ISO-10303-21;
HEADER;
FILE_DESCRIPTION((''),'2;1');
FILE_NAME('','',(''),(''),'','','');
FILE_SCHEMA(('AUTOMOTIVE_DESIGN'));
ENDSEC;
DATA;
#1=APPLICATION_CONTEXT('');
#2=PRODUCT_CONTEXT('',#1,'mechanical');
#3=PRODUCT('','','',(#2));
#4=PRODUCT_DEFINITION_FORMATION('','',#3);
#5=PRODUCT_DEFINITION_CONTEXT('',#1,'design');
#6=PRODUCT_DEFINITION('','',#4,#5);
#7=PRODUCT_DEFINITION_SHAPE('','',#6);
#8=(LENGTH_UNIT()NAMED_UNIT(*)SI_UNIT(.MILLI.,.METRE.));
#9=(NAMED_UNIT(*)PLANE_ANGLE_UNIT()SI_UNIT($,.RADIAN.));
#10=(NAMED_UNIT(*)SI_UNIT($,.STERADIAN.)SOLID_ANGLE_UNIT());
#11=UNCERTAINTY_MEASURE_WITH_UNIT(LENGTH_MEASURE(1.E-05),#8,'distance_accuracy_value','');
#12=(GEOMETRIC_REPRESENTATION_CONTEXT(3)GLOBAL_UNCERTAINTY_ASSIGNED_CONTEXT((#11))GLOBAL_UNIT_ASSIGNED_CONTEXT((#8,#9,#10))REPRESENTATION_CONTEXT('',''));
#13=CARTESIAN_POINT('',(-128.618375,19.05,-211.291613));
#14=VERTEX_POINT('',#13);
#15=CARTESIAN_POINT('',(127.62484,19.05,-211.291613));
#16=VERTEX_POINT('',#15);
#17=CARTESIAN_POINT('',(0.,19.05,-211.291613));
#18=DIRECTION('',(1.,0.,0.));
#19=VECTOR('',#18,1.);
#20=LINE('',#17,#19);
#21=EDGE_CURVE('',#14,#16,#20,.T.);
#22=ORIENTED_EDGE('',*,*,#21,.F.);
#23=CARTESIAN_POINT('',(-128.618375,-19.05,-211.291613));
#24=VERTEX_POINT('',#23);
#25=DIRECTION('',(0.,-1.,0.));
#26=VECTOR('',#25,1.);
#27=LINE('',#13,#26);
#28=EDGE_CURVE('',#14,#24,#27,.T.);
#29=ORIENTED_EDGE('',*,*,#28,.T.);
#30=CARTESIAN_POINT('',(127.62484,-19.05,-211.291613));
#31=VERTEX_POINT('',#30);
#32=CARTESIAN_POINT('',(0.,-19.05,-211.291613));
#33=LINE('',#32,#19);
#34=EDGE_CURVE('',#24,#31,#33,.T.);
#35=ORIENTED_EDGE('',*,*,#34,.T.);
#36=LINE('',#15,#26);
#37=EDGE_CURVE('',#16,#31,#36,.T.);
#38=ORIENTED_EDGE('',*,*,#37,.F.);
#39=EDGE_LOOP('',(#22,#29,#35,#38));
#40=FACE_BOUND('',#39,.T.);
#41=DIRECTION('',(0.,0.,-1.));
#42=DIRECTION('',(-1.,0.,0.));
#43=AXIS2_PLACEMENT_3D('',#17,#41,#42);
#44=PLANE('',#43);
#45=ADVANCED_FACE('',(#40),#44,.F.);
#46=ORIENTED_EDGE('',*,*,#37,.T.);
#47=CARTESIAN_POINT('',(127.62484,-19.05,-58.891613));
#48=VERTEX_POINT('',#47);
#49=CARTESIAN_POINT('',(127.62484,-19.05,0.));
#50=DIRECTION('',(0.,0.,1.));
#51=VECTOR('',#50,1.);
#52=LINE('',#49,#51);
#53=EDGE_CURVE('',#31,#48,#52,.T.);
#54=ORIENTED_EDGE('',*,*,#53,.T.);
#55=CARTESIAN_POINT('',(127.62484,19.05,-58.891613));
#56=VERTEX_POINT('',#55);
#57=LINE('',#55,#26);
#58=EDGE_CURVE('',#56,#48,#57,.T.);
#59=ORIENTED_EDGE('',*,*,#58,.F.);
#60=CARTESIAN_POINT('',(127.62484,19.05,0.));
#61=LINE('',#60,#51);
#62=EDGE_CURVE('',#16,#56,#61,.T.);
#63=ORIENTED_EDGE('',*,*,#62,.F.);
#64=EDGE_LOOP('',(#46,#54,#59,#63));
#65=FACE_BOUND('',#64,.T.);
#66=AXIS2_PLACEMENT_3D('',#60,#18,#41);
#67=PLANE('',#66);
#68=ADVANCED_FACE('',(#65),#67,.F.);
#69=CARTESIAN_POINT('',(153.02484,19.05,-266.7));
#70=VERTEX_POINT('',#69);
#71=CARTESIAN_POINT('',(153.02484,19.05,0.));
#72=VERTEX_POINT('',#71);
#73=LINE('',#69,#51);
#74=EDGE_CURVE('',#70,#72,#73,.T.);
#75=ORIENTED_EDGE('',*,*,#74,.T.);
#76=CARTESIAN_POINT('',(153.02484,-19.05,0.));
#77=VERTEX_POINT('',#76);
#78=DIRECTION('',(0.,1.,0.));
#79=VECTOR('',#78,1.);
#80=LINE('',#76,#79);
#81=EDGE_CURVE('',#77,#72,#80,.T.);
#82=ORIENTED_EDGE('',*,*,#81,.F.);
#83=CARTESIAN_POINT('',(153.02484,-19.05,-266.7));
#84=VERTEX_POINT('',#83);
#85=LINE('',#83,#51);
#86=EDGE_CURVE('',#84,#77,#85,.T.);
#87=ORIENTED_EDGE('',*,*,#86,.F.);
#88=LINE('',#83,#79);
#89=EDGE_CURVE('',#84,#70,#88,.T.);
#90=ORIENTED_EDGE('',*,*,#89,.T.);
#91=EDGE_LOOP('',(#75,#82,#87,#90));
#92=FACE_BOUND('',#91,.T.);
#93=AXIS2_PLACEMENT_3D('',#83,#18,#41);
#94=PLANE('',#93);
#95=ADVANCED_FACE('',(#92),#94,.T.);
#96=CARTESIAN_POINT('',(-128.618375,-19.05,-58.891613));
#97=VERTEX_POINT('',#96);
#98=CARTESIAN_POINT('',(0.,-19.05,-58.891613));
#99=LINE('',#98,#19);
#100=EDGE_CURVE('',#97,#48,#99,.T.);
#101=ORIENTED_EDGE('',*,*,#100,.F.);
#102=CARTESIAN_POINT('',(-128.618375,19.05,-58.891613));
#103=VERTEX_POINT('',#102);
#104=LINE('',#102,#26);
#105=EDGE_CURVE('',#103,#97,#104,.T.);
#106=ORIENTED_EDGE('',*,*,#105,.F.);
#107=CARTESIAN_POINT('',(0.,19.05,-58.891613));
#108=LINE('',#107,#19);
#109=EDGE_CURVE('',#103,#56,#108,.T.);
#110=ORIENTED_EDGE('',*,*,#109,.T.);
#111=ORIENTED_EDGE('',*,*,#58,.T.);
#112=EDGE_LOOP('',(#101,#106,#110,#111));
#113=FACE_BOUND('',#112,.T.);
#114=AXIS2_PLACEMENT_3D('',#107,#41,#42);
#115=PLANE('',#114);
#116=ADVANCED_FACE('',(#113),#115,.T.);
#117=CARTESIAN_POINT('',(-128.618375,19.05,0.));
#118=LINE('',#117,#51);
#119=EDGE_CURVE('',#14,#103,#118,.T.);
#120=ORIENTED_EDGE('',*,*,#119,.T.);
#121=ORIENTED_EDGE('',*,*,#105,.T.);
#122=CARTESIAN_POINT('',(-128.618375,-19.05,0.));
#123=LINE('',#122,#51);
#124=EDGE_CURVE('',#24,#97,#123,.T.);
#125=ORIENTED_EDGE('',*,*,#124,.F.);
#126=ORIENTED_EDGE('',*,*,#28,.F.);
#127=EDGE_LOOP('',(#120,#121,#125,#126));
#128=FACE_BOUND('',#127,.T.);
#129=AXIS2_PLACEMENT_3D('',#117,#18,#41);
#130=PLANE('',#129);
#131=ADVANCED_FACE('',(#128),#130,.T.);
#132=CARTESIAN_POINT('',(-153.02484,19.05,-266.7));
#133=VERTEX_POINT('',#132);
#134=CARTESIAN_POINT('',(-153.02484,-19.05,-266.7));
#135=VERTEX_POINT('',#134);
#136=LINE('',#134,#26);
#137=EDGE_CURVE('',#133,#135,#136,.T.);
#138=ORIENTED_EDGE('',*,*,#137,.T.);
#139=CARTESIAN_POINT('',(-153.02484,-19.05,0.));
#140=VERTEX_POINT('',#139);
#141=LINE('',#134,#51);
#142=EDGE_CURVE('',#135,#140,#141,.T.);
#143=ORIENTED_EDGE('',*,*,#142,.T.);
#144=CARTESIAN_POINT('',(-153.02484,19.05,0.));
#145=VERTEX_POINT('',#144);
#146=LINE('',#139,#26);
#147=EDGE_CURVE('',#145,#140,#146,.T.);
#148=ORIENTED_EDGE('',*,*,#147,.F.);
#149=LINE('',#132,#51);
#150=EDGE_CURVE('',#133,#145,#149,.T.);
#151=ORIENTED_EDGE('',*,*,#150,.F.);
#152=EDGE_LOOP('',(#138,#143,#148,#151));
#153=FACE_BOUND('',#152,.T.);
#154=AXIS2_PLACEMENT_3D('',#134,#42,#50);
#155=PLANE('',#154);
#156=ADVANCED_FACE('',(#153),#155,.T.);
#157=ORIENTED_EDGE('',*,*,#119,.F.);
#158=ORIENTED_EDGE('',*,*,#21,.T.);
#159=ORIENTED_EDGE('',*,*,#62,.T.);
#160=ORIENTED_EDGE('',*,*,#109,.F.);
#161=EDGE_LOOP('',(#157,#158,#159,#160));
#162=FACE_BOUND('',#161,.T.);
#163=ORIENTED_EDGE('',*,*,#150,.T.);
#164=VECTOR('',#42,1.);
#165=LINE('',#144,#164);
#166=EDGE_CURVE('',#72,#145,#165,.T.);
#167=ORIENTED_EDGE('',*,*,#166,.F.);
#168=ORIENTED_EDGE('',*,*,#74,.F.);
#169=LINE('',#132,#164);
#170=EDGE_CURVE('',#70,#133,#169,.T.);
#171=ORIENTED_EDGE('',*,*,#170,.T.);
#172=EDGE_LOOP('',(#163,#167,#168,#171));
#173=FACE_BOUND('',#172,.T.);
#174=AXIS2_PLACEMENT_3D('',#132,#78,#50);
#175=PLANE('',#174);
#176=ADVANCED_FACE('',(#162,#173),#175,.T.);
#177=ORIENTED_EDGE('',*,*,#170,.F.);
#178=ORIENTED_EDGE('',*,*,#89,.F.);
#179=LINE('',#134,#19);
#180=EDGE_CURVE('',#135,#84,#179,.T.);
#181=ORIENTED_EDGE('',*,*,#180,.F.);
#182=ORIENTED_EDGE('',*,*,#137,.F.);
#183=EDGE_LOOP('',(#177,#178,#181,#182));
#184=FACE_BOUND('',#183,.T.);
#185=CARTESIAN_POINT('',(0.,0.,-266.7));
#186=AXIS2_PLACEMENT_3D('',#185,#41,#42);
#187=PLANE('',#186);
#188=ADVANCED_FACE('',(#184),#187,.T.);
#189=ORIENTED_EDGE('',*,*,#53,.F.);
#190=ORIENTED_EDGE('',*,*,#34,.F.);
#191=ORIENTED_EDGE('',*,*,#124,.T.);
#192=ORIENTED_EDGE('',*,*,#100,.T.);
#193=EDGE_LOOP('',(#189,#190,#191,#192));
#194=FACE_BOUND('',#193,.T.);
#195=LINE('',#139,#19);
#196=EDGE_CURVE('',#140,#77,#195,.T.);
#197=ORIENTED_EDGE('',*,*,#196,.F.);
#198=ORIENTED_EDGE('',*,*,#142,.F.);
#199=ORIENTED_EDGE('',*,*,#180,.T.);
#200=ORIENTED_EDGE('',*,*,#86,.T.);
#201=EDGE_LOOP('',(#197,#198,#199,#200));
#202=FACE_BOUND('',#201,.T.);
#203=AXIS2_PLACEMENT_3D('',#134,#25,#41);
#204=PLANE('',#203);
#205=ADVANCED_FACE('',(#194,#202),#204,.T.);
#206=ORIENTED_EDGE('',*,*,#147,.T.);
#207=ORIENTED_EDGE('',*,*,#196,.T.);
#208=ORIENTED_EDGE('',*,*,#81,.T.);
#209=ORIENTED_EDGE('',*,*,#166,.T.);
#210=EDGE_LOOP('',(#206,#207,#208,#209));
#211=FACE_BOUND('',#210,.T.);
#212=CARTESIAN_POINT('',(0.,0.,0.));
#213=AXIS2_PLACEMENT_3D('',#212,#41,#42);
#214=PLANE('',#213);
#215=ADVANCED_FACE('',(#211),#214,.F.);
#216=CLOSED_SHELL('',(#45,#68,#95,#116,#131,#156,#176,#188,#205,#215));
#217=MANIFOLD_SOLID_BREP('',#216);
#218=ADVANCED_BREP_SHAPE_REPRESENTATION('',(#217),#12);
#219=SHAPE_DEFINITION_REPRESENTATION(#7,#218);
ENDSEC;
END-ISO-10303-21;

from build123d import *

# Parameters (mm, degrees)
SKETCH1_W           = 306.04968
SKETCH1_H           = 38.1
BOSS_EXTRUDE1_DEPTH = 266.7
SKETCH2_W           = 256.243215467
SKETCH2_H           = 152.4
CUT_EXTRUDE1_DEPTH  = 310.83399048


with BuildPart() as part:
    # Sketch1 → Boss-Extrude1 (new body)
    with BuildSketch(Plane.XY):
        Rectangle(SKETCH1_W, SKETCH1_H)
    extrude(amount=-BOSS_EXTRUDE1_DEPTH)

    # Sketch2 → Cut-Extrude1 (cut, through all)
    with BuildSketch(Plane.XZ.offset(19.05)):
        with Locations((-0.496767734, -135.091612863)):
            Rectangle(SKETCH2_W, SKETCH2_H)
    extrude(amount=-CUT_EXTRUDE1_DEPTH, mode=Mode.SUBTRACT)


solid = part.part
